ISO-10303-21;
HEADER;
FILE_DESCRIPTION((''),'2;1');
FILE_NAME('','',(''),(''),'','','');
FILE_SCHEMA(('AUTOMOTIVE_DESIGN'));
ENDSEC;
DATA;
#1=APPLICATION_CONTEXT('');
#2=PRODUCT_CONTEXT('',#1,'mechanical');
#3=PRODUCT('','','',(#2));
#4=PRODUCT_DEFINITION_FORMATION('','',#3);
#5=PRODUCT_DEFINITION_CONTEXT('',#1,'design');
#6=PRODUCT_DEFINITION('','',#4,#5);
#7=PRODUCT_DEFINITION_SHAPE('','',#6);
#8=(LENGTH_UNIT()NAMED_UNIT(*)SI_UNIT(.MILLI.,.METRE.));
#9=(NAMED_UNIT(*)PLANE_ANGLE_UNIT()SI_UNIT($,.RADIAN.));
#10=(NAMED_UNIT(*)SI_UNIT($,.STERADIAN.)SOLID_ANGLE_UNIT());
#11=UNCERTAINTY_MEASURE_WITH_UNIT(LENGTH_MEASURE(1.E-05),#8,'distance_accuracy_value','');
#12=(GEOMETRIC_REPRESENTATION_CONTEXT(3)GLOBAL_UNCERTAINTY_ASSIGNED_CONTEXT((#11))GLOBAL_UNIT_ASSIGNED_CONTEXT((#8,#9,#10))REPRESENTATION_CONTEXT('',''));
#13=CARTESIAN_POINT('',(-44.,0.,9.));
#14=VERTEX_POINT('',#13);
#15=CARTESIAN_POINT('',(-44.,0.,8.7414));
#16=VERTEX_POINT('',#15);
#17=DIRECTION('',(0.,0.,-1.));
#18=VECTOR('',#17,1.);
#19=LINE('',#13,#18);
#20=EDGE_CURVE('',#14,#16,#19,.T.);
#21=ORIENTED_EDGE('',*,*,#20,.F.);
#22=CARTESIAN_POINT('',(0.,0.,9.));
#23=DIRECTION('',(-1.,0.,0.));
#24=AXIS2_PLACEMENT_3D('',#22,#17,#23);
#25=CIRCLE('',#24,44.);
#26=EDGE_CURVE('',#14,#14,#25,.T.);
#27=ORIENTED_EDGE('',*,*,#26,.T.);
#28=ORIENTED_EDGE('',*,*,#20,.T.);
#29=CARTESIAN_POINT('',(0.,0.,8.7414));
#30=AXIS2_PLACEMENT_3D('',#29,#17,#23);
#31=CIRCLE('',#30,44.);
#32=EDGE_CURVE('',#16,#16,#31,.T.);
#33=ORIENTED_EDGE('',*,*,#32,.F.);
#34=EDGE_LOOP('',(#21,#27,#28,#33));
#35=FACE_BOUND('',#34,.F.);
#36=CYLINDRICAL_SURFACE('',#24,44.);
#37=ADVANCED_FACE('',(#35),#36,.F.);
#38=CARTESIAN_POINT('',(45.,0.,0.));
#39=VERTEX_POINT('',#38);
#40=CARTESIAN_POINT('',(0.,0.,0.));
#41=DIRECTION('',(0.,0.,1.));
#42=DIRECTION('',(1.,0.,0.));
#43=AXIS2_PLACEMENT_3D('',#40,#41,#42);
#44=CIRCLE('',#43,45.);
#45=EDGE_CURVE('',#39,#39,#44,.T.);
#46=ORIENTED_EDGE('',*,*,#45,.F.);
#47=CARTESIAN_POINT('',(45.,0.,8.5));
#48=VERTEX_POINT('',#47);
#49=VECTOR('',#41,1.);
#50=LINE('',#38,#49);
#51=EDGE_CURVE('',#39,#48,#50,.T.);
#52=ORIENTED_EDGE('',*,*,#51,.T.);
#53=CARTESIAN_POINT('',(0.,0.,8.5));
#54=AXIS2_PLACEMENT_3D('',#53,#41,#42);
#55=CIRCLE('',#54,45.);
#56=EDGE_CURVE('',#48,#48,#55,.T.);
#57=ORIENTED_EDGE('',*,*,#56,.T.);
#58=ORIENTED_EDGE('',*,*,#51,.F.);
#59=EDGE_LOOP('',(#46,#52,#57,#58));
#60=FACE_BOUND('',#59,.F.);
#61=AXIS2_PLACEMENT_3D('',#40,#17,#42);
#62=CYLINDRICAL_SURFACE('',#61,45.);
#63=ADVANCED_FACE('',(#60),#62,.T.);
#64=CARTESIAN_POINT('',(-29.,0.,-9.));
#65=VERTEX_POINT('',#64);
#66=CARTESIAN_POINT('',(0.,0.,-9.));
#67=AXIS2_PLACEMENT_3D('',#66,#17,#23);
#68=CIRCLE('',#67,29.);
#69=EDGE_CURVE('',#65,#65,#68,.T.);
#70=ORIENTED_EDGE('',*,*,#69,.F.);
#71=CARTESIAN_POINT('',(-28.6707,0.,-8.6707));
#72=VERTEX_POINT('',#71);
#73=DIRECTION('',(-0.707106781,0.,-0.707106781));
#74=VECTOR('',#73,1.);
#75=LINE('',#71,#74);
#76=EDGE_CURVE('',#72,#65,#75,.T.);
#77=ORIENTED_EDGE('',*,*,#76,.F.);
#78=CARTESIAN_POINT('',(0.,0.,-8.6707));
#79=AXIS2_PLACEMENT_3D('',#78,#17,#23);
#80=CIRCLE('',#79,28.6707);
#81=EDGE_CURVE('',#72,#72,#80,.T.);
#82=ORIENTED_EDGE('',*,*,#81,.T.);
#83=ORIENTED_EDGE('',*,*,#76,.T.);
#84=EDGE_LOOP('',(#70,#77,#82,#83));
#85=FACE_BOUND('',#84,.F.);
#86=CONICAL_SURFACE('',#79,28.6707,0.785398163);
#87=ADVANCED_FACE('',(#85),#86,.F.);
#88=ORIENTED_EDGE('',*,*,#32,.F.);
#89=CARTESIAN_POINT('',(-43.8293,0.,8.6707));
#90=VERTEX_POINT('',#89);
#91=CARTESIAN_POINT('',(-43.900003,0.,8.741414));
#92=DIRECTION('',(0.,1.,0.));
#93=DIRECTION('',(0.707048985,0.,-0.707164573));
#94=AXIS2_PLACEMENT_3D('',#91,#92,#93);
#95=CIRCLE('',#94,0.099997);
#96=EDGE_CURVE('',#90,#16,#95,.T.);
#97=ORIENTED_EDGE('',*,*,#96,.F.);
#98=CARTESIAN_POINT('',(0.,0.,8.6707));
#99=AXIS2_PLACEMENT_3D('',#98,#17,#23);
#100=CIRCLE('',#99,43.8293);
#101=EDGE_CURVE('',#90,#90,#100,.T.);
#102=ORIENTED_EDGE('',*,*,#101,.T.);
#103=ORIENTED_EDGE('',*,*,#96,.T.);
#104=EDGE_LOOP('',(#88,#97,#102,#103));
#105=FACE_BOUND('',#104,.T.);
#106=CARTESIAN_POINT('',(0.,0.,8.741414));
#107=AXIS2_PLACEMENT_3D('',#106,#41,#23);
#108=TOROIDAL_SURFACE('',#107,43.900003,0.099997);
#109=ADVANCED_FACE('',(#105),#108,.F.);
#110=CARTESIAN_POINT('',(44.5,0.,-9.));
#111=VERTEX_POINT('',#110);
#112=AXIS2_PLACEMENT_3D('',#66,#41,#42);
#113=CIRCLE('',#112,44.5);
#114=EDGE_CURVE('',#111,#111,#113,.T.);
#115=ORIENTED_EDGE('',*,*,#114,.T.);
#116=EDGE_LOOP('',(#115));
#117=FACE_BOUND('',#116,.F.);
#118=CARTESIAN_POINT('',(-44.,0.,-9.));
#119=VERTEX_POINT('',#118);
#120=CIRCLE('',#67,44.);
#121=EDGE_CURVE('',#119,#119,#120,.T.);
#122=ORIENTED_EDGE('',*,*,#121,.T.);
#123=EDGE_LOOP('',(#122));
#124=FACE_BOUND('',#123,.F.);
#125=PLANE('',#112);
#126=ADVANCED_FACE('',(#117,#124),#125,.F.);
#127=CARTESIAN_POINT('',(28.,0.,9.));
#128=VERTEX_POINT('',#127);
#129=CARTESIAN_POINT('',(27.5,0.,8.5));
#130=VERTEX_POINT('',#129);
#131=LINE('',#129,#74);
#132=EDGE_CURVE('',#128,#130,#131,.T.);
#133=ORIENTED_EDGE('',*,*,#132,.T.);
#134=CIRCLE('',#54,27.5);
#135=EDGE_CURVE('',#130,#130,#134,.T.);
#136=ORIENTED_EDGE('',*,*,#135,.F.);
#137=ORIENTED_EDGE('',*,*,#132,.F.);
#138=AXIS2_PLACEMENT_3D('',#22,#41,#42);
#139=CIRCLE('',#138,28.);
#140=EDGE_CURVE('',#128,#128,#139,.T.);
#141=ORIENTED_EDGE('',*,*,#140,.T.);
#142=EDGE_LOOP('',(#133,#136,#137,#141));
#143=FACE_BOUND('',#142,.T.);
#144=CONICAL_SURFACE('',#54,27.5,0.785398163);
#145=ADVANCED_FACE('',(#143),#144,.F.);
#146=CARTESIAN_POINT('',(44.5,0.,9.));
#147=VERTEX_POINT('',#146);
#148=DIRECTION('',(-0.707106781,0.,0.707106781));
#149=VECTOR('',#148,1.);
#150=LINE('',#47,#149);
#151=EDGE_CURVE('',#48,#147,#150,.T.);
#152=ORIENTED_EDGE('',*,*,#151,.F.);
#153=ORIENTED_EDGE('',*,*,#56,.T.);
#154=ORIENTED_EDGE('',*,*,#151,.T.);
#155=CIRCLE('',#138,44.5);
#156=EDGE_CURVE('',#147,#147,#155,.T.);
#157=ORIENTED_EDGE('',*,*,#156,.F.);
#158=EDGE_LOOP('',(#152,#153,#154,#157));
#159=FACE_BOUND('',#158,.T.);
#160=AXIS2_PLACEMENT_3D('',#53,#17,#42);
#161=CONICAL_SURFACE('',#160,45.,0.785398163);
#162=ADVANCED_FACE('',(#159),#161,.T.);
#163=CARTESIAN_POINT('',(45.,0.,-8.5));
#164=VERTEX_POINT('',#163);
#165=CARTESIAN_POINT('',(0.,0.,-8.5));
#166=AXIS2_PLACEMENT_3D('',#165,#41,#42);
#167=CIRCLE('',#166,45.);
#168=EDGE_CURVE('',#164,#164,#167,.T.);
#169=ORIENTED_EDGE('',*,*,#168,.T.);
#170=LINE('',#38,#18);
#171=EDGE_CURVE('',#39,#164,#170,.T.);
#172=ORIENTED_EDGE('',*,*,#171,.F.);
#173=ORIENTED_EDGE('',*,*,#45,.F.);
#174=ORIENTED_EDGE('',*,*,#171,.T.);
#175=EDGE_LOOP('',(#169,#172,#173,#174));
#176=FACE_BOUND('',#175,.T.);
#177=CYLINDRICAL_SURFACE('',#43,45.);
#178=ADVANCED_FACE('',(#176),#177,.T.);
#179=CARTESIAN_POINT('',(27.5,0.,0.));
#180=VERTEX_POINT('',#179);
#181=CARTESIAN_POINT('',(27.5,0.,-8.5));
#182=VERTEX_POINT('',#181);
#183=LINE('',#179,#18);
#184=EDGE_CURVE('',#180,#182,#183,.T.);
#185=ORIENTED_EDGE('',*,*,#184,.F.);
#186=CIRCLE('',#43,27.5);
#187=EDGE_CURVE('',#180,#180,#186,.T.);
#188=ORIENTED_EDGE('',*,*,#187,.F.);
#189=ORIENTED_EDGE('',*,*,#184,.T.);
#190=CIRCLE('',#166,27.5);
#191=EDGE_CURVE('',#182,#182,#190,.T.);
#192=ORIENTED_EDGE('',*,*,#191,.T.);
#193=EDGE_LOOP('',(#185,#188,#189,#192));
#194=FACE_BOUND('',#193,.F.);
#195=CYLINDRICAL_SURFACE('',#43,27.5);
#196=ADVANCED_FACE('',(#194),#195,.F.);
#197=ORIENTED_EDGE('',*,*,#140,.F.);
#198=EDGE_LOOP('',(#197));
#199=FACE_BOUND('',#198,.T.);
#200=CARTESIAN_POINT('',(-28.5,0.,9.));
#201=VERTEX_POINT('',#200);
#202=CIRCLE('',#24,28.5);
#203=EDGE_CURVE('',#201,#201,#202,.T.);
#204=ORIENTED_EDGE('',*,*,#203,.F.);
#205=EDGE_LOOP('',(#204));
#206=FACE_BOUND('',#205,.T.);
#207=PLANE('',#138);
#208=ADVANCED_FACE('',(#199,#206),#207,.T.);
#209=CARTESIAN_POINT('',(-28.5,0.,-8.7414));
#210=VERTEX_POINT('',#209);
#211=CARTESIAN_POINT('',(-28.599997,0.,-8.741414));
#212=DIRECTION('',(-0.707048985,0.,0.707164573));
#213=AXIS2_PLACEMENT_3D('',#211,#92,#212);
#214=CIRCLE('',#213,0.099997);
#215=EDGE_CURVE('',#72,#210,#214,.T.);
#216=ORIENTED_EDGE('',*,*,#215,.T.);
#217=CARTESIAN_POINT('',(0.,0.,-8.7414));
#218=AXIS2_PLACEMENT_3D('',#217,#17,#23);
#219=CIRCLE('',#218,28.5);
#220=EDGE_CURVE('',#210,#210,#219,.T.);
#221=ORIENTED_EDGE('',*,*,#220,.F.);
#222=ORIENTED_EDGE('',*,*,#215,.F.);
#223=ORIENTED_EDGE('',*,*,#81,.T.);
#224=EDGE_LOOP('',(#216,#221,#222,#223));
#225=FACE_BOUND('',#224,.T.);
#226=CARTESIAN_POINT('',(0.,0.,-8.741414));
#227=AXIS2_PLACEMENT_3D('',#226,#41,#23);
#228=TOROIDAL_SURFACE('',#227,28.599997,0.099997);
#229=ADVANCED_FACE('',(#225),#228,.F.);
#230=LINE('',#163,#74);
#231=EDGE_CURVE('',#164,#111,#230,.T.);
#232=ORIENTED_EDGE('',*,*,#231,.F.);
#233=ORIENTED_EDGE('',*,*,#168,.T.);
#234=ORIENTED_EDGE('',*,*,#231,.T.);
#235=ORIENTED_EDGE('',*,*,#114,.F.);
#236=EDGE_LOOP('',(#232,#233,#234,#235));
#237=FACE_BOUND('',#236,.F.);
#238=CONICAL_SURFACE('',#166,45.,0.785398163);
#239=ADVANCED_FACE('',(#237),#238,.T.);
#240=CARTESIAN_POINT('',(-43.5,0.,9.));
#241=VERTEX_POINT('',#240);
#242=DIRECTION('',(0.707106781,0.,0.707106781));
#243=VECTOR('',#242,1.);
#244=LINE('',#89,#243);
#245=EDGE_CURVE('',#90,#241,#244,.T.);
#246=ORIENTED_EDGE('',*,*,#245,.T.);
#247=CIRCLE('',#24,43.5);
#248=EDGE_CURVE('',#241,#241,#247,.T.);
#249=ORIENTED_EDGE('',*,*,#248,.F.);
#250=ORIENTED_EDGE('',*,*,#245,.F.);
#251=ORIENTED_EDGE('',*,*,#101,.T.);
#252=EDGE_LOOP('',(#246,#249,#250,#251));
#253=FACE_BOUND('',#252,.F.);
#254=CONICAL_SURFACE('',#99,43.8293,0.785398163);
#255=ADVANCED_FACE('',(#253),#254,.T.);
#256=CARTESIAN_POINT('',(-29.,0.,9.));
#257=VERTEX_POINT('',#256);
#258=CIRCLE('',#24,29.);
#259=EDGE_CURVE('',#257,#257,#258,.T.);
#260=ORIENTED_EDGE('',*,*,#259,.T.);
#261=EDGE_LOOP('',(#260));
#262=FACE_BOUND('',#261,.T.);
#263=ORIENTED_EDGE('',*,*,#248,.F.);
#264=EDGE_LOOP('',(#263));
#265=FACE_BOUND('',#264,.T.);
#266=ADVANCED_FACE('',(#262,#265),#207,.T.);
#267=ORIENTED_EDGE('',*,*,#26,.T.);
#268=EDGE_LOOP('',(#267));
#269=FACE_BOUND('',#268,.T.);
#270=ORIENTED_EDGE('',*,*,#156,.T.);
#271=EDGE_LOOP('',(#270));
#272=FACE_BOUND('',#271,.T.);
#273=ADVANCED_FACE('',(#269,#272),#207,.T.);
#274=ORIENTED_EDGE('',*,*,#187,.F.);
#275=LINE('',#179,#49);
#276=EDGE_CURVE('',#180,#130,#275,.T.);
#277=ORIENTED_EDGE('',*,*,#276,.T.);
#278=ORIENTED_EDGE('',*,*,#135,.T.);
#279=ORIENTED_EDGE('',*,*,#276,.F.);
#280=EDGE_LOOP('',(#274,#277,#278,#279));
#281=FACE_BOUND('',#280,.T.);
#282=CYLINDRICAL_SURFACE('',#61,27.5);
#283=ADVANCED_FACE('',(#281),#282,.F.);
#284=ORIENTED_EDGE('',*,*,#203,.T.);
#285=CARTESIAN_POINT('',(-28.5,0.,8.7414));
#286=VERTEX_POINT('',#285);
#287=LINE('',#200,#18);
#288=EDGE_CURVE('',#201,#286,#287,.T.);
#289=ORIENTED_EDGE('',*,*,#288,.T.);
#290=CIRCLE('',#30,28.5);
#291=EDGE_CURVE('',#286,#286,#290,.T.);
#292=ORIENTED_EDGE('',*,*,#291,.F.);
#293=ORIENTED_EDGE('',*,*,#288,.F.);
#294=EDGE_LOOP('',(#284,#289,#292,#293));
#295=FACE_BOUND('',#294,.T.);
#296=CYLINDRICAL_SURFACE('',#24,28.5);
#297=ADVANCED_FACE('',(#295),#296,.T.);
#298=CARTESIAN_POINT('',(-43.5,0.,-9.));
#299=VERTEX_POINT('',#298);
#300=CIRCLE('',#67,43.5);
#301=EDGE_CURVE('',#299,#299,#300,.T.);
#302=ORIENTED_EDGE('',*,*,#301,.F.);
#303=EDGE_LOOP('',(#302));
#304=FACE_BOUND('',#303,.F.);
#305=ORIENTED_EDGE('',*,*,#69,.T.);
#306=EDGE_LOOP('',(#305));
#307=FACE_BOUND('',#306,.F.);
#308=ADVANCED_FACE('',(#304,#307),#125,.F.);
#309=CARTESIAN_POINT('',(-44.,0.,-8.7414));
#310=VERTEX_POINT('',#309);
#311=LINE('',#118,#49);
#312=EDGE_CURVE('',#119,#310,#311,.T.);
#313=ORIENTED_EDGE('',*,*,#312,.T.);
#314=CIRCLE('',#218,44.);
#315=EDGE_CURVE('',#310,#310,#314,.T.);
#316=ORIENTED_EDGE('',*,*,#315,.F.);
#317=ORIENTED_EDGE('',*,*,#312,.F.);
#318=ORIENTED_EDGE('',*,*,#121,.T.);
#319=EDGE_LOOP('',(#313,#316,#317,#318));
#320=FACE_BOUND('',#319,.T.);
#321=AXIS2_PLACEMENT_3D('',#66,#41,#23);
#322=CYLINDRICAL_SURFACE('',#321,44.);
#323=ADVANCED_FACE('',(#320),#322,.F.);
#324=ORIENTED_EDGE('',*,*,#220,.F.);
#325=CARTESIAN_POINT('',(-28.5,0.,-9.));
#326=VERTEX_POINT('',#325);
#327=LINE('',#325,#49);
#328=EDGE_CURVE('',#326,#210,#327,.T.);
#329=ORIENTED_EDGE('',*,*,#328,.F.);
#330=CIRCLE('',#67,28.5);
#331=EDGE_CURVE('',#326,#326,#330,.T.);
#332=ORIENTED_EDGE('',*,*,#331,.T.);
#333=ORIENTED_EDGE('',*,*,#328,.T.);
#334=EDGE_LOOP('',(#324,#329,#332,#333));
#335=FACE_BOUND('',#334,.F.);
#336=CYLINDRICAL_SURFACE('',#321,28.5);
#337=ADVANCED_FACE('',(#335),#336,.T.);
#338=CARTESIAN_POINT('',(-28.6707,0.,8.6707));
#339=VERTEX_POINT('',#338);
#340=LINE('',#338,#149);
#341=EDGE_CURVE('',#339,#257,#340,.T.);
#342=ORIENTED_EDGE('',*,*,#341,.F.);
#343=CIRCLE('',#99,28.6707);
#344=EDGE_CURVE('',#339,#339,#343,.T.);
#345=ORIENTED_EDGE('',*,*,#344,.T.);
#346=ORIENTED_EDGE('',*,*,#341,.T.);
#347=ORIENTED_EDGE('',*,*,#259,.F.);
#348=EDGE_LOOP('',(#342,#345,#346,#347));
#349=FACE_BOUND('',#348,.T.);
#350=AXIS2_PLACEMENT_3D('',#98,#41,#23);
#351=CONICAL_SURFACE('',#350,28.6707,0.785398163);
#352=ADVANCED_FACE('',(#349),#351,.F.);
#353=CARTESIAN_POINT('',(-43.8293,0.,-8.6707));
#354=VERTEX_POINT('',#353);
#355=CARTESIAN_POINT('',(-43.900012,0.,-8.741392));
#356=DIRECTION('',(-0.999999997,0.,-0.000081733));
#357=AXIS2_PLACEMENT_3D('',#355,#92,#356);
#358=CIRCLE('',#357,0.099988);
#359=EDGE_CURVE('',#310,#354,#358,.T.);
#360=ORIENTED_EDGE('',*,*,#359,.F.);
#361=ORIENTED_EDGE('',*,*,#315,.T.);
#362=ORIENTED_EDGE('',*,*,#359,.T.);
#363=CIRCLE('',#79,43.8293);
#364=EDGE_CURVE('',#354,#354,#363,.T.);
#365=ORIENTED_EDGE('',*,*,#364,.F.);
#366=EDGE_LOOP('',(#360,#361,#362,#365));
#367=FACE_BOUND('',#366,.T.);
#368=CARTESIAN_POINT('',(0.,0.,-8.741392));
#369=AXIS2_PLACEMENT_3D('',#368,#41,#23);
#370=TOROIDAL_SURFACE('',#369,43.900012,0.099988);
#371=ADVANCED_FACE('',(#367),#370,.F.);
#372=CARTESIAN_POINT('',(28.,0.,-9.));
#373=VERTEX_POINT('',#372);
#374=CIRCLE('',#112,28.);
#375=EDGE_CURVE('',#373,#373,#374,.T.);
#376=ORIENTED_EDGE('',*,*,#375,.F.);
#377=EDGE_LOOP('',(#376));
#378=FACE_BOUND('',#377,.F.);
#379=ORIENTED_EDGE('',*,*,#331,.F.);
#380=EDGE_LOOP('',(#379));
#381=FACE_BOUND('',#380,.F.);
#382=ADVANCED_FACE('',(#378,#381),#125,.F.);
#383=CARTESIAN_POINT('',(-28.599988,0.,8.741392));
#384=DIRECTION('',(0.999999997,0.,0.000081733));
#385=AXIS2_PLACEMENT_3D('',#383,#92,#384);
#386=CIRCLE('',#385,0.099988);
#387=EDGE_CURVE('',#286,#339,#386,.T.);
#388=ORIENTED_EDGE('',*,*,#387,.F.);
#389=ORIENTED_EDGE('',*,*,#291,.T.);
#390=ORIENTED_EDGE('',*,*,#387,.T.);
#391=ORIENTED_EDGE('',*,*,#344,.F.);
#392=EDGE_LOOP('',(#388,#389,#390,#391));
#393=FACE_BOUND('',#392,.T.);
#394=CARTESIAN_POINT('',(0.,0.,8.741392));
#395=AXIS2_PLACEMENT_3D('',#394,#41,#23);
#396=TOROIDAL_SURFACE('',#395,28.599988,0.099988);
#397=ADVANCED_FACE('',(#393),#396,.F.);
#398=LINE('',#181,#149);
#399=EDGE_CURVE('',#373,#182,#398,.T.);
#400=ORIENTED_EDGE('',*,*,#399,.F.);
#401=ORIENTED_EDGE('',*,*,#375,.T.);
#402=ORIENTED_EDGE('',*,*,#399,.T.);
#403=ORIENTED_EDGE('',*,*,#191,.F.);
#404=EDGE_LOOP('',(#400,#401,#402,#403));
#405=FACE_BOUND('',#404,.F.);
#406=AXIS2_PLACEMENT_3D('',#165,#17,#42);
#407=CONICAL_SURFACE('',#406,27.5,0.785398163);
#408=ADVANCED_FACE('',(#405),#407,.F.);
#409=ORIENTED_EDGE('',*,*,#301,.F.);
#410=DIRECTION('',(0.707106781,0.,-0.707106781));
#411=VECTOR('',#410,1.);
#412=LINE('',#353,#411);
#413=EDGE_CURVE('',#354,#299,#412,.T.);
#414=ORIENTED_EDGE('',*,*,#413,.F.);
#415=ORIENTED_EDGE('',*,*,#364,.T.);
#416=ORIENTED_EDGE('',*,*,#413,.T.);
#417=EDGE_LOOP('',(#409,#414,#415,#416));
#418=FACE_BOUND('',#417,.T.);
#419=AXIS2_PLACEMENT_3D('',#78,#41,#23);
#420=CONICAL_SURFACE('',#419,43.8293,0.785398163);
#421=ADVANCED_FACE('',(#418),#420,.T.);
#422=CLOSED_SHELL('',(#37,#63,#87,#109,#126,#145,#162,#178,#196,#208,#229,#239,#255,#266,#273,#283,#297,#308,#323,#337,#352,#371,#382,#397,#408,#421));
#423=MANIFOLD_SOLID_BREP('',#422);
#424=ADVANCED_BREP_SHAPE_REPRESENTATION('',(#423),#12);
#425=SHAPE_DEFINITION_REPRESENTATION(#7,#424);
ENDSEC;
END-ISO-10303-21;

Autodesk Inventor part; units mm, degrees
ref_plane "YZ Plane" through (0, 0, 0) normal (1, 0, 0) x (0, 1, 0)
ref_plane "XZ Plane" through (0, 0, 0) normal (0, 1, 0) x (-1, 0, 0)
ref_plane "XY Plane" through (0, 0, 0) normal (0, 0, 1) x (1, 0, 0)
sketch "스케치1" plane through (0, 0, 0) normal (0, 0, 1) x (1, 0, 0)
  circle A0 centre (0, 0) radius 27.5
  circle A1 centre (0, 0) radius 45
  dimension "d0" = 55
  dimension "d1" = 90
extrude "돌출1" add sketch "스케치1" along normal mid plane 18
chamfer "모따기1" distance 0.5 angle 45 4 edges at (-45, 0, 9) (-45, 0, -9) (-27.5, 0, 9) (-27.5, 0, -9)
sketch "스케치2" plane through (0, 0, 0) normal (0, 1, 0) x (-1, 0, 0)
  line L0 (-44.5, 9) -> (44.5, 9) projected
  line L1 (44, 9) -> (44, 8.7414)
  line L2 (43.8293, 8.6707) -> (43.5, 9)
  line L3 (45, 0) -> (27.5, 0)
  line L4 (27.5, 8.5) -> (27.5, -8.5) projected
  arc A0 (43.8293, 8.6707) -> (44, 8.7414) centre (43.9, 8.7414) ccw
  line L5 (36.25, 0) -> (36.25, 1.7292)
  line L6 (28.5, 9) -> (28.5, 8.7414)
  line L7 (28.6707, 8.6707) -> (29, 9)
  arc A1 (28.5, 8.7414) -> (28.6707, 8.6707) centre (28.6, 8.7414) ccw
  line L8 (44, -9) -> (44, -8.7414)
  line L9 (43.8293, -8.6707) -> (43.5, -9)
  arc A2 (44, -8.7414) -> (43.8293, -8.6707) centre (43.9, -8.7414) ccw
  line L10 (28.5, -9) -> (28.5, -8.7414)
  line L11 (28.6707, -8.6707) -> (29, -9)
  arc A3 (28.6707, -8.6707) -> (28.5, -8.7414) centre (28.6, -8.7414) ccw
  line L12 (0, 0) -> (0, -13.1586)
  line L13 (44.5, -9) -> (-44.5, -9) projected
  line L14 (45, -8.5) -> (45, 8.5) projected
  point P0 (44, 8.5)
  point P1 (28, 9)
  point P2 (28.5, 8.5)
  point P3 (44, -8.5)
  point P4 (28, -9)
  point P5 (28.5, -8.5)
  dimension "d7" = 0.5
  dimension "d8" = 0.5
  dimension "d9" = 0.5
  dimension "d10" = 0.1
revolve "회전1" cut sketch "스케치2" angle 360 about axis through (0, 0, 0) along (0, 0, -1)
properties part number "6203베어링"
